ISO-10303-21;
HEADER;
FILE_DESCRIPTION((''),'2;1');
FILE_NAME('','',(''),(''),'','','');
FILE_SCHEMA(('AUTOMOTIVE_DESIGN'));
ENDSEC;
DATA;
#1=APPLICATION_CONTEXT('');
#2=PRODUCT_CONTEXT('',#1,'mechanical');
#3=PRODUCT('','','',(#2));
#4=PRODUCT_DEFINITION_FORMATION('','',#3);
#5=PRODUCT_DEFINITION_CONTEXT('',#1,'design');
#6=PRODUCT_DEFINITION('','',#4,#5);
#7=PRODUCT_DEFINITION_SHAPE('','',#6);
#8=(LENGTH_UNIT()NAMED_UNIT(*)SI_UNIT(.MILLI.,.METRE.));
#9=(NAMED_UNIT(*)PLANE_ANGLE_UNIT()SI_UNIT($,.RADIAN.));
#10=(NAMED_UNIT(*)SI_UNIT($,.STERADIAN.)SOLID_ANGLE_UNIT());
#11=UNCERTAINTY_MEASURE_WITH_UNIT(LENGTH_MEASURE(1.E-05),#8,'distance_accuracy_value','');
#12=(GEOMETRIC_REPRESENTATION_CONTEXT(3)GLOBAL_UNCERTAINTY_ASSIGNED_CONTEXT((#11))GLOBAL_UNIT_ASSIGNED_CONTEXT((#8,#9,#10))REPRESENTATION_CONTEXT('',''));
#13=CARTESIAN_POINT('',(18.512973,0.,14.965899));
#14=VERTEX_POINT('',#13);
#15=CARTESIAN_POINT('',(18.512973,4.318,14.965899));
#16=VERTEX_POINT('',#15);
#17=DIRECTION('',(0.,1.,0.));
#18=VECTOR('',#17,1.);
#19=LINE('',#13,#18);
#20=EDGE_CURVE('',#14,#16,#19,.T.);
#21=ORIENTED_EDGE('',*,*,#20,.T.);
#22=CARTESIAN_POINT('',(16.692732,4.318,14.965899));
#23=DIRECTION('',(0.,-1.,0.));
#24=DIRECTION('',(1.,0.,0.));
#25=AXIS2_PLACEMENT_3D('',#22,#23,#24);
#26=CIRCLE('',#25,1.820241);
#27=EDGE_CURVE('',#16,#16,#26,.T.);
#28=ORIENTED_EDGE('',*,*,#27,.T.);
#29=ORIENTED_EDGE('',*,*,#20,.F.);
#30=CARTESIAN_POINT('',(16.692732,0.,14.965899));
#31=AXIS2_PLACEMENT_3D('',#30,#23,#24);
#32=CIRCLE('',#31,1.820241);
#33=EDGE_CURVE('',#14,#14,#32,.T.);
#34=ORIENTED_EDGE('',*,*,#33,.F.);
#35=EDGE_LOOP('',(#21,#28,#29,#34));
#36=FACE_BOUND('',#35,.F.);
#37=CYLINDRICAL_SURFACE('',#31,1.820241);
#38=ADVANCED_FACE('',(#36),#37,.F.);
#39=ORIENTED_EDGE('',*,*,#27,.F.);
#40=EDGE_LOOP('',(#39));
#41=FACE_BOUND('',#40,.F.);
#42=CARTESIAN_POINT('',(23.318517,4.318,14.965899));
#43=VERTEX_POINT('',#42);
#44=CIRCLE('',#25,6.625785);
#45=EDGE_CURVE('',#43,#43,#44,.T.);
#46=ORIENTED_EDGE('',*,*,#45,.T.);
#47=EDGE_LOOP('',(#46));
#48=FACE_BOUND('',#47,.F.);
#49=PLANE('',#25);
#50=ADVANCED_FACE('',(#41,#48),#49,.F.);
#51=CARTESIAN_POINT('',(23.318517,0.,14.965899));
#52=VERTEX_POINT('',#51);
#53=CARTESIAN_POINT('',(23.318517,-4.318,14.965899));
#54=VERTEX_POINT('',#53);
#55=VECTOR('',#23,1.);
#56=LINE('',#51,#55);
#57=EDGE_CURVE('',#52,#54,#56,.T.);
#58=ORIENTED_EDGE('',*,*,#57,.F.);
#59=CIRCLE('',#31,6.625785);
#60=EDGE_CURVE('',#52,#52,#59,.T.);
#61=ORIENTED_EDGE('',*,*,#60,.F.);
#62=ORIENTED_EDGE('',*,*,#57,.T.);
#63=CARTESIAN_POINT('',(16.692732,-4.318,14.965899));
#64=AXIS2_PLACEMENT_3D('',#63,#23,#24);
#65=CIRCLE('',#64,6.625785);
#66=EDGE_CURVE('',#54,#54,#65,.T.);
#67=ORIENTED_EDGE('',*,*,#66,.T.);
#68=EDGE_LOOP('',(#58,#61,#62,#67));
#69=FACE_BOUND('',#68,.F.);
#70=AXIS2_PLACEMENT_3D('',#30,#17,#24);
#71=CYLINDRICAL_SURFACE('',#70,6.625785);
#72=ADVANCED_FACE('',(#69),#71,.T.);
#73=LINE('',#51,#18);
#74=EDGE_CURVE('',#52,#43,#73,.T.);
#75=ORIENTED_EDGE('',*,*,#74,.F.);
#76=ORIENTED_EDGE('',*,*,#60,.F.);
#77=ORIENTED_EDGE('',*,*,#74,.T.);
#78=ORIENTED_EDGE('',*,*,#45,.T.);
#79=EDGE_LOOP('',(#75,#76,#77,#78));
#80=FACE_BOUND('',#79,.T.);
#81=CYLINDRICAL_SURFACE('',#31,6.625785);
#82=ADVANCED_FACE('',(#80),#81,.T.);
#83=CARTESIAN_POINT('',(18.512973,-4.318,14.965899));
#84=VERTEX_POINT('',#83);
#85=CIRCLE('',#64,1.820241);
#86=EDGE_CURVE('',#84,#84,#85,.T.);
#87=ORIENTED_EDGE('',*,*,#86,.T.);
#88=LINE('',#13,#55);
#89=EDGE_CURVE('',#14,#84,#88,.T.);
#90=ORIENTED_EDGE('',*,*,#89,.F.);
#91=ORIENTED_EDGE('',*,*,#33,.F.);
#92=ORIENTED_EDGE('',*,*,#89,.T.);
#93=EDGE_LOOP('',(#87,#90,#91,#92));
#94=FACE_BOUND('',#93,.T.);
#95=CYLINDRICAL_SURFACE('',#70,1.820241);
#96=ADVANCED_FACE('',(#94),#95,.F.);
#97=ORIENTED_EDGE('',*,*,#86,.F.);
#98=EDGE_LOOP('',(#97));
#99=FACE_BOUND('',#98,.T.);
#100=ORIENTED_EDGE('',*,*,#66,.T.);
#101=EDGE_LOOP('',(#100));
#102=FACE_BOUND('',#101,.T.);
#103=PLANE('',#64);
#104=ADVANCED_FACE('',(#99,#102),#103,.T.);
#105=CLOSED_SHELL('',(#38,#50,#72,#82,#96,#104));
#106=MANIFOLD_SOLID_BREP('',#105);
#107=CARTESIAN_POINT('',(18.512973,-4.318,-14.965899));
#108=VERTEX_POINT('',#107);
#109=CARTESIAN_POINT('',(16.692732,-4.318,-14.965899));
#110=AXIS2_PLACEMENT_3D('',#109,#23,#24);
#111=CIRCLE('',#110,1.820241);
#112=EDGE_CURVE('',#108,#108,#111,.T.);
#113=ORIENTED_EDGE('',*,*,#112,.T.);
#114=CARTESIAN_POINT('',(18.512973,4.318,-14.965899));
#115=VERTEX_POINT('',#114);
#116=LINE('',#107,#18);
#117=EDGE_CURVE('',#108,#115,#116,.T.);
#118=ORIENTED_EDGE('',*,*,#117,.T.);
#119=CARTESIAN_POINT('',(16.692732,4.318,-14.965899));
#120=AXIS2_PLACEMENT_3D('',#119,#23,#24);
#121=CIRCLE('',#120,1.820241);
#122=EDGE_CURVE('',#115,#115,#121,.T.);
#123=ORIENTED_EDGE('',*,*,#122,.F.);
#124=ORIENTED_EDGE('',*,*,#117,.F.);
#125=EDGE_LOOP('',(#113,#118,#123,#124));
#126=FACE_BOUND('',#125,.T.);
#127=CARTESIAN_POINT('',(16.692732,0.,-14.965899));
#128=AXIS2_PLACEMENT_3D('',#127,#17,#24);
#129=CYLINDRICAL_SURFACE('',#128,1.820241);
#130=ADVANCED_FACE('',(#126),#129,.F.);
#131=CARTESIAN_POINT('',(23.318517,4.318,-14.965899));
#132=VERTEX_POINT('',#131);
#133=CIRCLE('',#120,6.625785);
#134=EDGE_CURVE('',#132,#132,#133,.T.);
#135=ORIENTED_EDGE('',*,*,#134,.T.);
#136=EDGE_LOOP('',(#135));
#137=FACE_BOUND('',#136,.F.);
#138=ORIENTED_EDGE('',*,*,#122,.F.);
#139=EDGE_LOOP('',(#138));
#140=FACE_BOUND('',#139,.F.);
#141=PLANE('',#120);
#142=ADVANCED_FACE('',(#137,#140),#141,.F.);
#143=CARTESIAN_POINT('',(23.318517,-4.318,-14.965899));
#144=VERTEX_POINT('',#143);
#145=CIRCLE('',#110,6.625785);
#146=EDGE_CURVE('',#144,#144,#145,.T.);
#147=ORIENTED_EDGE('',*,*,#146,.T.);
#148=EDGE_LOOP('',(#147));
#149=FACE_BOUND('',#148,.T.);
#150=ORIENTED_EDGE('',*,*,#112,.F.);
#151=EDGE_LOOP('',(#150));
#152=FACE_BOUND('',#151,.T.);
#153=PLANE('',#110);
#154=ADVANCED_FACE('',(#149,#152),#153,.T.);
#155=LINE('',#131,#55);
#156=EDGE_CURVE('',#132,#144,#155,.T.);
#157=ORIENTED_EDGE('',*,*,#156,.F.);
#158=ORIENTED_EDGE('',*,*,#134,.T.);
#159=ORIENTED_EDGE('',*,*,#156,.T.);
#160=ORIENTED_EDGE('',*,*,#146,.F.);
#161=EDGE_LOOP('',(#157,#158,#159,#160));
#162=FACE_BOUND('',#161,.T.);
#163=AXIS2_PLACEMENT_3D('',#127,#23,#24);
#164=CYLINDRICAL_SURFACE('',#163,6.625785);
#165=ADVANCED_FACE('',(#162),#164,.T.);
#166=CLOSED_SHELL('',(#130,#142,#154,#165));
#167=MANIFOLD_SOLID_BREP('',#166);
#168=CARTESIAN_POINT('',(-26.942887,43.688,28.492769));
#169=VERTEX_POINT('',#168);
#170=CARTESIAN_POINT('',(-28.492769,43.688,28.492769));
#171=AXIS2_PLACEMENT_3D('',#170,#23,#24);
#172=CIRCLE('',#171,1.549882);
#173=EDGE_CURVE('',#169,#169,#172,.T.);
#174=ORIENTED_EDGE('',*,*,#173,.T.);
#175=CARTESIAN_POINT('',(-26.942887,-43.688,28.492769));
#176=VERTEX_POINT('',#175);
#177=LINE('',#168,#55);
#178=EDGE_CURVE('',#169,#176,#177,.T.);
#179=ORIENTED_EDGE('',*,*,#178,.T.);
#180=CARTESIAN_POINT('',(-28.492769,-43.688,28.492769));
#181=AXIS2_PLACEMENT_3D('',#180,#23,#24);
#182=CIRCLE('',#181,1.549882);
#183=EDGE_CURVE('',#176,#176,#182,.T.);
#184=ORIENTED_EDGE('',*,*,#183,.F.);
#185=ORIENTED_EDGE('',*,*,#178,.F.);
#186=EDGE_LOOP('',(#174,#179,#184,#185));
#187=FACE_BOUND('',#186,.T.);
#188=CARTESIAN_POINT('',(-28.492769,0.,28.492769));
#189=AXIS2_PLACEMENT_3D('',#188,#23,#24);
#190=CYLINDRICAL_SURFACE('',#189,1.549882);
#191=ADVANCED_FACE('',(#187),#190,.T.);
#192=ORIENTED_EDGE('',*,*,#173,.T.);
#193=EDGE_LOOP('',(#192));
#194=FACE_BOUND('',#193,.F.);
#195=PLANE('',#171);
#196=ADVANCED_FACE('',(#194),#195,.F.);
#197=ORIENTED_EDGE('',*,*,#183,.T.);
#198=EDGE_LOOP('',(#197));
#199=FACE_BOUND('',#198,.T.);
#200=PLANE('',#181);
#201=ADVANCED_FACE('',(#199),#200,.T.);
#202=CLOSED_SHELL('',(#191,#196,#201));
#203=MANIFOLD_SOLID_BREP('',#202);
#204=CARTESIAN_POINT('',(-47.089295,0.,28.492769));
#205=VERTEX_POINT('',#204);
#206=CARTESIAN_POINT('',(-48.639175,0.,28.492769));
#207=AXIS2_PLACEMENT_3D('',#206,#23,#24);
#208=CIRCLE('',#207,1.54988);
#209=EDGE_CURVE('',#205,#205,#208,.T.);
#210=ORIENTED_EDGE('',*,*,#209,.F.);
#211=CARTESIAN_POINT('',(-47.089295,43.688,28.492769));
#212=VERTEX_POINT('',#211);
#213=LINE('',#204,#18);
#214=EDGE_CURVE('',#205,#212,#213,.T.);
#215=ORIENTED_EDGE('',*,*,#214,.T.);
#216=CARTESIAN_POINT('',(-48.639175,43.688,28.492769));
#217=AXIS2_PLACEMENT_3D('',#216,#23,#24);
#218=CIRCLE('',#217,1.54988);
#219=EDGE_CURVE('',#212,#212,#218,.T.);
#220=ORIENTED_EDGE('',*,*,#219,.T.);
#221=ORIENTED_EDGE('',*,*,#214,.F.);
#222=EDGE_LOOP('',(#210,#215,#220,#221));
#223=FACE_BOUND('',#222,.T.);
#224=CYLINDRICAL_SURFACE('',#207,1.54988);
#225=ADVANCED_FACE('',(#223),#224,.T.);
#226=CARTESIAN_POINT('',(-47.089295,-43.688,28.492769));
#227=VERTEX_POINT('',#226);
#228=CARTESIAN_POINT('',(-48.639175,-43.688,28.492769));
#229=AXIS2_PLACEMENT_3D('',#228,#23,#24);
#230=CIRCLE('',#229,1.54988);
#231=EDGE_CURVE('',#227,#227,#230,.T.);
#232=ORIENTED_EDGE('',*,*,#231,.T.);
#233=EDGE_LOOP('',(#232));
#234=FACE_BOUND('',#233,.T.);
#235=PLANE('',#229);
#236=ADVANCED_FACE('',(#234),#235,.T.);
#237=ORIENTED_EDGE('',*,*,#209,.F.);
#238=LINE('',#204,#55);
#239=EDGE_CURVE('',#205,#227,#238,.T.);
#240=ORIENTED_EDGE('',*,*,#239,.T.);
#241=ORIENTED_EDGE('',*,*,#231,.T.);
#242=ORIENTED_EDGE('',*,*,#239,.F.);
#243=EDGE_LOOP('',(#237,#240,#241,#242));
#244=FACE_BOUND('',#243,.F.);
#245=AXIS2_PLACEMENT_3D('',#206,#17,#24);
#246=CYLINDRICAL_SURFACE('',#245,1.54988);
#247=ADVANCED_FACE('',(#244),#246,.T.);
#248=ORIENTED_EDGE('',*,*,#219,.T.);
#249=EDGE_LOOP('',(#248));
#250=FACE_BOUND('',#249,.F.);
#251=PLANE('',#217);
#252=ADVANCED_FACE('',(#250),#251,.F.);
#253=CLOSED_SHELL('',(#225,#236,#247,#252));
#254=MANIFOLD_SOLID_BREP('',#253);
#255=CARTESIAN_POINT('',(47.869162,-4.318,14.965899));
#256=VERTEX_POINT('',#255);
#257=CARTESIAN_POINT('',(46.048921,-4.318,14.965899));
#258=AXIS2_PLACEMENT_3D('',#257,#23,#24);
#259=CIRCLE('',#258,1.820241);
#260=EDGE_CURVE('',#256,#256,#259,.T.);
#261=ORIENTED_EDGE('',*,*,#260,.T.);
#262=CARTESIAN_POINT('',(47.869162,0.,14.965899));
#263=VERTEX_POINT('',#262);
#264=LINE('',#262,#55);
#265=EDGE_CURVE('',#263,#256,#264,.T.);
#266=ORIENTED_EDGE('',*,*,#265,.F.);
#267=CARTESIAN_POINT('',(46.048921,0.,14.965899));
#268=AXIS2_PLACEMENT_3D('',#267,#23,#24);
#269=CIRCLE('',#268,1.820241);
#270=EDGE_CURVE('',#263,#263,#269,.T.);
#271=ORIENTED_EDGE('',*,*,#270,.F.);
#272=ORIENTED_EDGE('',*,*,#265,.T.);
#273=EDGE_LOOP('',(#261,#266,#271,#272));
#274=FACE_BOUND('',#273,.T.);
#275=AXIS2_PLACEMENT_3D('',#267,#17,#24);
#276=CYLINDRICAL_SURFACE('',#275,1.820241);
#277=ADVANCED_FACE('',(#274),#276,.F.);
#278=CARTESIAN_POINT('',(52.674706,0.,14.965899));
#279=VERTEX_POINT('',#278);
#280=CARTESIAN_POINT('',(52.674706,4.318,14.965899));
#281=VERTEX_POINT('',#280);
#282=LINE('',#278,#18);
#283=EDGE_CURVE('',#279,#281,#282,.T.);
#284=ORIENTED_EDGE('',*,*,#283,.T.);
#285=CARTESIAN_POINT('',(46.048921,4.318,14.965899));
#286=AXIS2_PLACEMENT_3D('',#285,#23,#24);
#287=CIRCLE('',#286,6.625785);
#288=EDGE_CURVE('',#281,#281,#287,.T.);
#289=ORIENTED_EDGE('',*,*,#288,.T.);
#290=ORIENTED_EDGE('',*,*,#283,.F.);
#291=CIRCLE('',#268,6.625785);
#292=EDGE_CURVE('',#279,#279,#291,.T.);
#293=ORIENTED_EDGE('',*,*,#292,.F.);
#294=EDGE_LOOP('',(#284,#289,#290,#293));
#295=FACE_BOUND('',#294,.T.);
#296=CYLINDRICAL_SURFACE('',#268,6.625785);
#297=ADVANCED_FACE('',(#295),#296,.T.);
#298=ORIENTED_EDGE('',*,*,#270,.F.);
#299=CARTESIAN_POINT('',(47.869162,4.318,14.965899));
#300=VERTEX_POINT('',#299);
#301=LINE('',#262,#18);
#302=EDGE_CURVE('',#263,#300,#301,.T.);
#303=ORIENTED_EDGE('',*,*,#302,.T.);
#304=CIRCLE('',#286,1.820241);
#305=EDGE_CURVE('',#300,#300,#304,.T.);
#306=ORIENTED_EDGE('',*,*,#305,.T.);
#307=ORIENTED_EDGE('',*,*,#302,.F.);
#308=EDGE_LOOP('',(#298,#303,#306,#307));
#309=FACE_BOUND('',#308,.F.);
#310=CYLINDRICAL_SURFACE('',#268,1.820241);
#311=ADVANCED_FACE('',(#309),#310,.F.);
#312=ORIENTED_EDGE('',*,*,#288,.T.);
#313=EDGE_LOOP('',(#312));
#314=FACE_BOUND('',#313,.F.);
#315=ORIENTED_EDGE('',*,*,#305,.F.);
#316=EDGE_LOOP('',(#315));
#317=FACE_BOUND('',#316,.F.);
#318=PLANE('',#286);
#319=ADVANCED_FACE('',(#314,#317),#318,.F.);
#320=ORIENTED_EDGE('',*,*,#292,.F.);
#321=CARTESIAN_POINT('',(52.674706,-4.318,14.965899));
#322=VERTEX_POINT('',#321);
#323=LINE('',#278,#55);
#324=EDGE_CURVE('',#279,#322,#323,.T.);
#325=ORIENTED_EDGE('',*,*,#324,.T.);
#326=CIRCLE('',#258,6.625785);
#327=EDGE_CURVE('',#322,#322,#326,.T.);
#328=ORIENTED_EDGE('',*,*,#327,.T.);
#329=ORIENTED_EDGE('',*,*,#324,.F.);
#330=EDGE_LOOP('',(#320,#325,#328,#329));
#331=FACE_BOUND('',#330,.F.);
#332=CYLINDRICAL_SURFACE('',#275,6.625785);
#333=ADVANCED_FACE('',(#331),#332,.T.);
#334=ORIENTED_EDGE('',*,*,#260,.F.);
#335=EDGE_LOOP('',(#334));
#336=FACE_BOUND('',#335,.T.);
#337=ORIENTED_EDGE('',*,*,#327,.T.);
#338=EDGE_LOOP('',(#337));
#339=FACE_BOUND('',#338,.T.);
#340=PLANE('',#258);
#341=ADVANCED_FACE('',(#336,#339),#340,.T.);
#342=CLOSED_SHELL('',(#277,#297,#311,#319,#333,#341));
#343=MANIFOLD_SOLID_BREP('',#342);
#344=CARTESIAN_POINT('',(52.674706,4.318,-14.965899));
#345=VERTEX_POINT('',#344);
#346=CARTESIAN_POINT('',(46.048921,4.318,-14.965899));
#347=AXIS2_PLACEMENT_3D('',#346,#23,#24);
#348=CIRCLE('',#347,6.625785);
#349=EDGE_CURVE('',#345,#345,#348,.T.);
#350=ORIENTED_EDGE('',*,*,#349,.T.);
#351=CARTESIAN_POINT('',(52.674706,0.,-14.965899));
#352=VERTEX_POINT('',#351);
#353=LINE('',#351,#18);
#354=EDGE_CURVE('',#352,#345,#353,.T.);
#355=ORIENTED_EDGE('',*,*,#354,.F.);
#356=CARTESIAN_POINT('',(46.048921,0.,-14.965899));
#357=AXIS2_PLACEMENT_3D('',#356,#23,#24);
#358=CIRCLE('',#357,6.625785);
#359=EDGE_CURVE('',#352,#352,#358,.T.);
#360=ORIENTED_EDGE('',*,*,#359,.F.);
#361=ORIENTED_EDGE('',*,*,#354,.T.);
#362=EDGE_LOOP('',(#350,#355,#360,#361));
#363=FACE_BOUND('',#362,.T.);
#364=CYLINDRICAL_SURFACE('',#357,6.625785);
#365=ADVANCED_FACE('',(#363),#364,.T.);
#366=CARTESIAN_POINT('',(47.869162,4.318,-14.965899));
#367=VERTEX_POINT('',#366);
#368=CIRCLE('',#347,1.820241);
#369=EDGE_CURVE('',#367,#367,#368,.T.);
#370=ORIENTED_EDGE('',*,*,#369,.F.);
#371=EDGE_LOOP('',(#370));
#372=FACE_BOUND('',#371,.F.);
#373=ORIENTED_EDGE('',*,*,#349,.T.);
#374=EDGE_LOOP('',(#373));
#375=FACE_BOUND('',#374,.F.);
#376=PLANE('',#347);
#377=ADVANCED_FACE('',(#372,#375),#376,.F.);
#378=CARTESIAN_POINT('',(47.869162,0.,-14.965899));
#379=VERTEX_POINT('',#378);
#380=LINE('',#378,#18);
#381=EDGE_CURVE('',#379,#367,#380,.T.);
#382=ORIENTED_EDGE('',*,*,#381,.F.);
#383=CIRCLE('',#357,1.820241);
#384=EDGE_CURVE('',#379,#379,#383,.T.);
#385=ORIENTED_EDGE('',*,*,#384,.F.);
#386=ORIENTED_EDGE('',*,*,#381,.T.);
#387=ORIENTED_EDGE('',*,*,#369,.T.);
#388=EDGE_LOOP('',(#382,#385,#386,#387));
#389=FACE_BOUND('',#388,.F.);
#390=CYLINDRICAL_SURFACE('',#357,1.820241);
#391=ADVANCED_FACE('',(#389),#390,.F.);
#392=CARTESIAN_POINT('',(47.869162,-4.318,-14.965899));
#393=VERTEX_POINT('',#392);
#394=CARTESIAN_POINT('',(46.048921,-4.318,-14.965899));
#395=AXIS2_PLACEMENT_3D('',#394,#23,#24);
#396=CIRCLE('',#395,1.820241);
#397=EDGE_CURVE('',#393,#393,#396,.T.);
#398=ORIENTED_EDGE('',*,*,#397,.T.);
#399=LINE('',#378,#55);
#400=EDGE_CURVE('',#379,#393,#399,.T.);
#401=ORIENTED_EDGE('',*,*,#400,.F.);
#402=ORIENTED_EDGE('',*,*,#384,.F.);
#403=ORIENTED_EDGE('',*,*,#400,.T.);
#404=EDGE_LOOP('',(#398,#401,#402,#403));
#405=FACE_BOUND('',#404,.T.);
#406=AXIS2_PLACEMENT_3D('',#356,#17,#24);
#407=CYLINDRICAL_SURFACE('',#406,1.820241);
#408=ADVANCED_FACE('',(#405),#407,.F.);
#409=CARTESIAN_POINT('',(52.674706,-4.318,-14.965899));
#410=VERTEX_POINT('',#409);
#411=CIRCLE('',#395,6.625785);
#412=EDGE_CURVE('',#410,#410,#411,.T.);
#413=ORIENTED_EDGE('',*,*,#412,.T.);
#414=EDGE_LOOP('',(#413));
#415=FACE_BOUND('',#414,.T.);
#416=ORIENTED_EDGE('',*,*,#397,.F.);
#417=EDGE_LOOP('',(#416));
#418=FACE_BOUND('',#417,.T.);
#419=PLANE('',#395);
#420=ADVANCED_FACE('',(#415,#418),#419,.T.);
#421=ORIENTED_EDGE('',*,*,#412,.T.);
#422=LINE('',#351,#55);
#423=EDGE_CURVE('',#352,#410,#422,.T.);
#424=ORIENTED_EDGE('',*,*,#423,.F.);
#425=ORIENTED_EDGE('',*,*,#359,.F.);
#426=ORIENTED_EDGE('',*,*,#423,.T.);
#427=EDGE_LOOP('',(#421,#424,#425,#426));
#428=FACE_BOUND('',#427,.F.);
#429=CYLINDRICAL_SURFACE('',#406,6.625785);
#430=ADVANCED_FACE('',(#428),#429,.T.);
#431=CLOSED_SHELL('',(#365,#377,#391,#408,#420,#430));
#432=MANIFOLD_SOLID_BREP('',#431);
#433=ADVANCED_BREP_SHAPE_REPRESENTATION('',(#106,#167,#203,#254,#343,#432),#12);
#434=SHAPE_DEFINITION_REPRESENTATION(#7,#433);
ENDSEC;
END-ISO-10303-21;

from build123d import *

# Parameters (mm, degrees)
F0_R     = 1.54988
F0_R_2   = 1.549882
F1_DEPTH = 43.688
F2_R     = 6.625785
F2_R_2   = 1.820241
F3_DEPTH = 4.318


with BuildPart() as f1:
    # F0 (on Front) → F1 (new body, symmetric)
    with BuildSketch(Plane.XZ):
        with Locations((-48.639175, 28.492769)):
            Circle(F0_R)
        with Locations((-28.492769, 28.492769)):
            Circle(F0_R_2)
    extrude(amount=F1_DEPTH, both=True)


with BuildPart() as f3:
    # F2 (on Front) → F3 (new body, symmetric)
    with BuildSketch(Plane.XZ):
        with Locations((46.048921, 14.965899)):
            Circle(F2_R)
        with Locations((46.048921, 14.965899)):
            Circle(F2_R_2, mode=Mode.SUBTRACT)
        with Locations((46.048921, -14.965899)):
            Circle(F2_R)
        with Locations((46.048921, -14.965899)):
            Circle(F2_R_2, mode=Mode.SUBTRACT)
        with Locations((16.692732, 14.965899)):
            Circle(F2_R)
        with Locations((16.692732, 14.965899)):
            Circle(F2_R_2, mode=Mode.SUBTRACT)
        with Locations((16.692732, -14.965899)):
            Circle(F2_R)
        with Locations((16.692732, -14.965899)):
            Circle(F2_R_2, mode=Mode.SUBTRACT)
    extrude(amount=F3_DEPTH, both=True)


solid = Compound([f1.part, f3.part])
